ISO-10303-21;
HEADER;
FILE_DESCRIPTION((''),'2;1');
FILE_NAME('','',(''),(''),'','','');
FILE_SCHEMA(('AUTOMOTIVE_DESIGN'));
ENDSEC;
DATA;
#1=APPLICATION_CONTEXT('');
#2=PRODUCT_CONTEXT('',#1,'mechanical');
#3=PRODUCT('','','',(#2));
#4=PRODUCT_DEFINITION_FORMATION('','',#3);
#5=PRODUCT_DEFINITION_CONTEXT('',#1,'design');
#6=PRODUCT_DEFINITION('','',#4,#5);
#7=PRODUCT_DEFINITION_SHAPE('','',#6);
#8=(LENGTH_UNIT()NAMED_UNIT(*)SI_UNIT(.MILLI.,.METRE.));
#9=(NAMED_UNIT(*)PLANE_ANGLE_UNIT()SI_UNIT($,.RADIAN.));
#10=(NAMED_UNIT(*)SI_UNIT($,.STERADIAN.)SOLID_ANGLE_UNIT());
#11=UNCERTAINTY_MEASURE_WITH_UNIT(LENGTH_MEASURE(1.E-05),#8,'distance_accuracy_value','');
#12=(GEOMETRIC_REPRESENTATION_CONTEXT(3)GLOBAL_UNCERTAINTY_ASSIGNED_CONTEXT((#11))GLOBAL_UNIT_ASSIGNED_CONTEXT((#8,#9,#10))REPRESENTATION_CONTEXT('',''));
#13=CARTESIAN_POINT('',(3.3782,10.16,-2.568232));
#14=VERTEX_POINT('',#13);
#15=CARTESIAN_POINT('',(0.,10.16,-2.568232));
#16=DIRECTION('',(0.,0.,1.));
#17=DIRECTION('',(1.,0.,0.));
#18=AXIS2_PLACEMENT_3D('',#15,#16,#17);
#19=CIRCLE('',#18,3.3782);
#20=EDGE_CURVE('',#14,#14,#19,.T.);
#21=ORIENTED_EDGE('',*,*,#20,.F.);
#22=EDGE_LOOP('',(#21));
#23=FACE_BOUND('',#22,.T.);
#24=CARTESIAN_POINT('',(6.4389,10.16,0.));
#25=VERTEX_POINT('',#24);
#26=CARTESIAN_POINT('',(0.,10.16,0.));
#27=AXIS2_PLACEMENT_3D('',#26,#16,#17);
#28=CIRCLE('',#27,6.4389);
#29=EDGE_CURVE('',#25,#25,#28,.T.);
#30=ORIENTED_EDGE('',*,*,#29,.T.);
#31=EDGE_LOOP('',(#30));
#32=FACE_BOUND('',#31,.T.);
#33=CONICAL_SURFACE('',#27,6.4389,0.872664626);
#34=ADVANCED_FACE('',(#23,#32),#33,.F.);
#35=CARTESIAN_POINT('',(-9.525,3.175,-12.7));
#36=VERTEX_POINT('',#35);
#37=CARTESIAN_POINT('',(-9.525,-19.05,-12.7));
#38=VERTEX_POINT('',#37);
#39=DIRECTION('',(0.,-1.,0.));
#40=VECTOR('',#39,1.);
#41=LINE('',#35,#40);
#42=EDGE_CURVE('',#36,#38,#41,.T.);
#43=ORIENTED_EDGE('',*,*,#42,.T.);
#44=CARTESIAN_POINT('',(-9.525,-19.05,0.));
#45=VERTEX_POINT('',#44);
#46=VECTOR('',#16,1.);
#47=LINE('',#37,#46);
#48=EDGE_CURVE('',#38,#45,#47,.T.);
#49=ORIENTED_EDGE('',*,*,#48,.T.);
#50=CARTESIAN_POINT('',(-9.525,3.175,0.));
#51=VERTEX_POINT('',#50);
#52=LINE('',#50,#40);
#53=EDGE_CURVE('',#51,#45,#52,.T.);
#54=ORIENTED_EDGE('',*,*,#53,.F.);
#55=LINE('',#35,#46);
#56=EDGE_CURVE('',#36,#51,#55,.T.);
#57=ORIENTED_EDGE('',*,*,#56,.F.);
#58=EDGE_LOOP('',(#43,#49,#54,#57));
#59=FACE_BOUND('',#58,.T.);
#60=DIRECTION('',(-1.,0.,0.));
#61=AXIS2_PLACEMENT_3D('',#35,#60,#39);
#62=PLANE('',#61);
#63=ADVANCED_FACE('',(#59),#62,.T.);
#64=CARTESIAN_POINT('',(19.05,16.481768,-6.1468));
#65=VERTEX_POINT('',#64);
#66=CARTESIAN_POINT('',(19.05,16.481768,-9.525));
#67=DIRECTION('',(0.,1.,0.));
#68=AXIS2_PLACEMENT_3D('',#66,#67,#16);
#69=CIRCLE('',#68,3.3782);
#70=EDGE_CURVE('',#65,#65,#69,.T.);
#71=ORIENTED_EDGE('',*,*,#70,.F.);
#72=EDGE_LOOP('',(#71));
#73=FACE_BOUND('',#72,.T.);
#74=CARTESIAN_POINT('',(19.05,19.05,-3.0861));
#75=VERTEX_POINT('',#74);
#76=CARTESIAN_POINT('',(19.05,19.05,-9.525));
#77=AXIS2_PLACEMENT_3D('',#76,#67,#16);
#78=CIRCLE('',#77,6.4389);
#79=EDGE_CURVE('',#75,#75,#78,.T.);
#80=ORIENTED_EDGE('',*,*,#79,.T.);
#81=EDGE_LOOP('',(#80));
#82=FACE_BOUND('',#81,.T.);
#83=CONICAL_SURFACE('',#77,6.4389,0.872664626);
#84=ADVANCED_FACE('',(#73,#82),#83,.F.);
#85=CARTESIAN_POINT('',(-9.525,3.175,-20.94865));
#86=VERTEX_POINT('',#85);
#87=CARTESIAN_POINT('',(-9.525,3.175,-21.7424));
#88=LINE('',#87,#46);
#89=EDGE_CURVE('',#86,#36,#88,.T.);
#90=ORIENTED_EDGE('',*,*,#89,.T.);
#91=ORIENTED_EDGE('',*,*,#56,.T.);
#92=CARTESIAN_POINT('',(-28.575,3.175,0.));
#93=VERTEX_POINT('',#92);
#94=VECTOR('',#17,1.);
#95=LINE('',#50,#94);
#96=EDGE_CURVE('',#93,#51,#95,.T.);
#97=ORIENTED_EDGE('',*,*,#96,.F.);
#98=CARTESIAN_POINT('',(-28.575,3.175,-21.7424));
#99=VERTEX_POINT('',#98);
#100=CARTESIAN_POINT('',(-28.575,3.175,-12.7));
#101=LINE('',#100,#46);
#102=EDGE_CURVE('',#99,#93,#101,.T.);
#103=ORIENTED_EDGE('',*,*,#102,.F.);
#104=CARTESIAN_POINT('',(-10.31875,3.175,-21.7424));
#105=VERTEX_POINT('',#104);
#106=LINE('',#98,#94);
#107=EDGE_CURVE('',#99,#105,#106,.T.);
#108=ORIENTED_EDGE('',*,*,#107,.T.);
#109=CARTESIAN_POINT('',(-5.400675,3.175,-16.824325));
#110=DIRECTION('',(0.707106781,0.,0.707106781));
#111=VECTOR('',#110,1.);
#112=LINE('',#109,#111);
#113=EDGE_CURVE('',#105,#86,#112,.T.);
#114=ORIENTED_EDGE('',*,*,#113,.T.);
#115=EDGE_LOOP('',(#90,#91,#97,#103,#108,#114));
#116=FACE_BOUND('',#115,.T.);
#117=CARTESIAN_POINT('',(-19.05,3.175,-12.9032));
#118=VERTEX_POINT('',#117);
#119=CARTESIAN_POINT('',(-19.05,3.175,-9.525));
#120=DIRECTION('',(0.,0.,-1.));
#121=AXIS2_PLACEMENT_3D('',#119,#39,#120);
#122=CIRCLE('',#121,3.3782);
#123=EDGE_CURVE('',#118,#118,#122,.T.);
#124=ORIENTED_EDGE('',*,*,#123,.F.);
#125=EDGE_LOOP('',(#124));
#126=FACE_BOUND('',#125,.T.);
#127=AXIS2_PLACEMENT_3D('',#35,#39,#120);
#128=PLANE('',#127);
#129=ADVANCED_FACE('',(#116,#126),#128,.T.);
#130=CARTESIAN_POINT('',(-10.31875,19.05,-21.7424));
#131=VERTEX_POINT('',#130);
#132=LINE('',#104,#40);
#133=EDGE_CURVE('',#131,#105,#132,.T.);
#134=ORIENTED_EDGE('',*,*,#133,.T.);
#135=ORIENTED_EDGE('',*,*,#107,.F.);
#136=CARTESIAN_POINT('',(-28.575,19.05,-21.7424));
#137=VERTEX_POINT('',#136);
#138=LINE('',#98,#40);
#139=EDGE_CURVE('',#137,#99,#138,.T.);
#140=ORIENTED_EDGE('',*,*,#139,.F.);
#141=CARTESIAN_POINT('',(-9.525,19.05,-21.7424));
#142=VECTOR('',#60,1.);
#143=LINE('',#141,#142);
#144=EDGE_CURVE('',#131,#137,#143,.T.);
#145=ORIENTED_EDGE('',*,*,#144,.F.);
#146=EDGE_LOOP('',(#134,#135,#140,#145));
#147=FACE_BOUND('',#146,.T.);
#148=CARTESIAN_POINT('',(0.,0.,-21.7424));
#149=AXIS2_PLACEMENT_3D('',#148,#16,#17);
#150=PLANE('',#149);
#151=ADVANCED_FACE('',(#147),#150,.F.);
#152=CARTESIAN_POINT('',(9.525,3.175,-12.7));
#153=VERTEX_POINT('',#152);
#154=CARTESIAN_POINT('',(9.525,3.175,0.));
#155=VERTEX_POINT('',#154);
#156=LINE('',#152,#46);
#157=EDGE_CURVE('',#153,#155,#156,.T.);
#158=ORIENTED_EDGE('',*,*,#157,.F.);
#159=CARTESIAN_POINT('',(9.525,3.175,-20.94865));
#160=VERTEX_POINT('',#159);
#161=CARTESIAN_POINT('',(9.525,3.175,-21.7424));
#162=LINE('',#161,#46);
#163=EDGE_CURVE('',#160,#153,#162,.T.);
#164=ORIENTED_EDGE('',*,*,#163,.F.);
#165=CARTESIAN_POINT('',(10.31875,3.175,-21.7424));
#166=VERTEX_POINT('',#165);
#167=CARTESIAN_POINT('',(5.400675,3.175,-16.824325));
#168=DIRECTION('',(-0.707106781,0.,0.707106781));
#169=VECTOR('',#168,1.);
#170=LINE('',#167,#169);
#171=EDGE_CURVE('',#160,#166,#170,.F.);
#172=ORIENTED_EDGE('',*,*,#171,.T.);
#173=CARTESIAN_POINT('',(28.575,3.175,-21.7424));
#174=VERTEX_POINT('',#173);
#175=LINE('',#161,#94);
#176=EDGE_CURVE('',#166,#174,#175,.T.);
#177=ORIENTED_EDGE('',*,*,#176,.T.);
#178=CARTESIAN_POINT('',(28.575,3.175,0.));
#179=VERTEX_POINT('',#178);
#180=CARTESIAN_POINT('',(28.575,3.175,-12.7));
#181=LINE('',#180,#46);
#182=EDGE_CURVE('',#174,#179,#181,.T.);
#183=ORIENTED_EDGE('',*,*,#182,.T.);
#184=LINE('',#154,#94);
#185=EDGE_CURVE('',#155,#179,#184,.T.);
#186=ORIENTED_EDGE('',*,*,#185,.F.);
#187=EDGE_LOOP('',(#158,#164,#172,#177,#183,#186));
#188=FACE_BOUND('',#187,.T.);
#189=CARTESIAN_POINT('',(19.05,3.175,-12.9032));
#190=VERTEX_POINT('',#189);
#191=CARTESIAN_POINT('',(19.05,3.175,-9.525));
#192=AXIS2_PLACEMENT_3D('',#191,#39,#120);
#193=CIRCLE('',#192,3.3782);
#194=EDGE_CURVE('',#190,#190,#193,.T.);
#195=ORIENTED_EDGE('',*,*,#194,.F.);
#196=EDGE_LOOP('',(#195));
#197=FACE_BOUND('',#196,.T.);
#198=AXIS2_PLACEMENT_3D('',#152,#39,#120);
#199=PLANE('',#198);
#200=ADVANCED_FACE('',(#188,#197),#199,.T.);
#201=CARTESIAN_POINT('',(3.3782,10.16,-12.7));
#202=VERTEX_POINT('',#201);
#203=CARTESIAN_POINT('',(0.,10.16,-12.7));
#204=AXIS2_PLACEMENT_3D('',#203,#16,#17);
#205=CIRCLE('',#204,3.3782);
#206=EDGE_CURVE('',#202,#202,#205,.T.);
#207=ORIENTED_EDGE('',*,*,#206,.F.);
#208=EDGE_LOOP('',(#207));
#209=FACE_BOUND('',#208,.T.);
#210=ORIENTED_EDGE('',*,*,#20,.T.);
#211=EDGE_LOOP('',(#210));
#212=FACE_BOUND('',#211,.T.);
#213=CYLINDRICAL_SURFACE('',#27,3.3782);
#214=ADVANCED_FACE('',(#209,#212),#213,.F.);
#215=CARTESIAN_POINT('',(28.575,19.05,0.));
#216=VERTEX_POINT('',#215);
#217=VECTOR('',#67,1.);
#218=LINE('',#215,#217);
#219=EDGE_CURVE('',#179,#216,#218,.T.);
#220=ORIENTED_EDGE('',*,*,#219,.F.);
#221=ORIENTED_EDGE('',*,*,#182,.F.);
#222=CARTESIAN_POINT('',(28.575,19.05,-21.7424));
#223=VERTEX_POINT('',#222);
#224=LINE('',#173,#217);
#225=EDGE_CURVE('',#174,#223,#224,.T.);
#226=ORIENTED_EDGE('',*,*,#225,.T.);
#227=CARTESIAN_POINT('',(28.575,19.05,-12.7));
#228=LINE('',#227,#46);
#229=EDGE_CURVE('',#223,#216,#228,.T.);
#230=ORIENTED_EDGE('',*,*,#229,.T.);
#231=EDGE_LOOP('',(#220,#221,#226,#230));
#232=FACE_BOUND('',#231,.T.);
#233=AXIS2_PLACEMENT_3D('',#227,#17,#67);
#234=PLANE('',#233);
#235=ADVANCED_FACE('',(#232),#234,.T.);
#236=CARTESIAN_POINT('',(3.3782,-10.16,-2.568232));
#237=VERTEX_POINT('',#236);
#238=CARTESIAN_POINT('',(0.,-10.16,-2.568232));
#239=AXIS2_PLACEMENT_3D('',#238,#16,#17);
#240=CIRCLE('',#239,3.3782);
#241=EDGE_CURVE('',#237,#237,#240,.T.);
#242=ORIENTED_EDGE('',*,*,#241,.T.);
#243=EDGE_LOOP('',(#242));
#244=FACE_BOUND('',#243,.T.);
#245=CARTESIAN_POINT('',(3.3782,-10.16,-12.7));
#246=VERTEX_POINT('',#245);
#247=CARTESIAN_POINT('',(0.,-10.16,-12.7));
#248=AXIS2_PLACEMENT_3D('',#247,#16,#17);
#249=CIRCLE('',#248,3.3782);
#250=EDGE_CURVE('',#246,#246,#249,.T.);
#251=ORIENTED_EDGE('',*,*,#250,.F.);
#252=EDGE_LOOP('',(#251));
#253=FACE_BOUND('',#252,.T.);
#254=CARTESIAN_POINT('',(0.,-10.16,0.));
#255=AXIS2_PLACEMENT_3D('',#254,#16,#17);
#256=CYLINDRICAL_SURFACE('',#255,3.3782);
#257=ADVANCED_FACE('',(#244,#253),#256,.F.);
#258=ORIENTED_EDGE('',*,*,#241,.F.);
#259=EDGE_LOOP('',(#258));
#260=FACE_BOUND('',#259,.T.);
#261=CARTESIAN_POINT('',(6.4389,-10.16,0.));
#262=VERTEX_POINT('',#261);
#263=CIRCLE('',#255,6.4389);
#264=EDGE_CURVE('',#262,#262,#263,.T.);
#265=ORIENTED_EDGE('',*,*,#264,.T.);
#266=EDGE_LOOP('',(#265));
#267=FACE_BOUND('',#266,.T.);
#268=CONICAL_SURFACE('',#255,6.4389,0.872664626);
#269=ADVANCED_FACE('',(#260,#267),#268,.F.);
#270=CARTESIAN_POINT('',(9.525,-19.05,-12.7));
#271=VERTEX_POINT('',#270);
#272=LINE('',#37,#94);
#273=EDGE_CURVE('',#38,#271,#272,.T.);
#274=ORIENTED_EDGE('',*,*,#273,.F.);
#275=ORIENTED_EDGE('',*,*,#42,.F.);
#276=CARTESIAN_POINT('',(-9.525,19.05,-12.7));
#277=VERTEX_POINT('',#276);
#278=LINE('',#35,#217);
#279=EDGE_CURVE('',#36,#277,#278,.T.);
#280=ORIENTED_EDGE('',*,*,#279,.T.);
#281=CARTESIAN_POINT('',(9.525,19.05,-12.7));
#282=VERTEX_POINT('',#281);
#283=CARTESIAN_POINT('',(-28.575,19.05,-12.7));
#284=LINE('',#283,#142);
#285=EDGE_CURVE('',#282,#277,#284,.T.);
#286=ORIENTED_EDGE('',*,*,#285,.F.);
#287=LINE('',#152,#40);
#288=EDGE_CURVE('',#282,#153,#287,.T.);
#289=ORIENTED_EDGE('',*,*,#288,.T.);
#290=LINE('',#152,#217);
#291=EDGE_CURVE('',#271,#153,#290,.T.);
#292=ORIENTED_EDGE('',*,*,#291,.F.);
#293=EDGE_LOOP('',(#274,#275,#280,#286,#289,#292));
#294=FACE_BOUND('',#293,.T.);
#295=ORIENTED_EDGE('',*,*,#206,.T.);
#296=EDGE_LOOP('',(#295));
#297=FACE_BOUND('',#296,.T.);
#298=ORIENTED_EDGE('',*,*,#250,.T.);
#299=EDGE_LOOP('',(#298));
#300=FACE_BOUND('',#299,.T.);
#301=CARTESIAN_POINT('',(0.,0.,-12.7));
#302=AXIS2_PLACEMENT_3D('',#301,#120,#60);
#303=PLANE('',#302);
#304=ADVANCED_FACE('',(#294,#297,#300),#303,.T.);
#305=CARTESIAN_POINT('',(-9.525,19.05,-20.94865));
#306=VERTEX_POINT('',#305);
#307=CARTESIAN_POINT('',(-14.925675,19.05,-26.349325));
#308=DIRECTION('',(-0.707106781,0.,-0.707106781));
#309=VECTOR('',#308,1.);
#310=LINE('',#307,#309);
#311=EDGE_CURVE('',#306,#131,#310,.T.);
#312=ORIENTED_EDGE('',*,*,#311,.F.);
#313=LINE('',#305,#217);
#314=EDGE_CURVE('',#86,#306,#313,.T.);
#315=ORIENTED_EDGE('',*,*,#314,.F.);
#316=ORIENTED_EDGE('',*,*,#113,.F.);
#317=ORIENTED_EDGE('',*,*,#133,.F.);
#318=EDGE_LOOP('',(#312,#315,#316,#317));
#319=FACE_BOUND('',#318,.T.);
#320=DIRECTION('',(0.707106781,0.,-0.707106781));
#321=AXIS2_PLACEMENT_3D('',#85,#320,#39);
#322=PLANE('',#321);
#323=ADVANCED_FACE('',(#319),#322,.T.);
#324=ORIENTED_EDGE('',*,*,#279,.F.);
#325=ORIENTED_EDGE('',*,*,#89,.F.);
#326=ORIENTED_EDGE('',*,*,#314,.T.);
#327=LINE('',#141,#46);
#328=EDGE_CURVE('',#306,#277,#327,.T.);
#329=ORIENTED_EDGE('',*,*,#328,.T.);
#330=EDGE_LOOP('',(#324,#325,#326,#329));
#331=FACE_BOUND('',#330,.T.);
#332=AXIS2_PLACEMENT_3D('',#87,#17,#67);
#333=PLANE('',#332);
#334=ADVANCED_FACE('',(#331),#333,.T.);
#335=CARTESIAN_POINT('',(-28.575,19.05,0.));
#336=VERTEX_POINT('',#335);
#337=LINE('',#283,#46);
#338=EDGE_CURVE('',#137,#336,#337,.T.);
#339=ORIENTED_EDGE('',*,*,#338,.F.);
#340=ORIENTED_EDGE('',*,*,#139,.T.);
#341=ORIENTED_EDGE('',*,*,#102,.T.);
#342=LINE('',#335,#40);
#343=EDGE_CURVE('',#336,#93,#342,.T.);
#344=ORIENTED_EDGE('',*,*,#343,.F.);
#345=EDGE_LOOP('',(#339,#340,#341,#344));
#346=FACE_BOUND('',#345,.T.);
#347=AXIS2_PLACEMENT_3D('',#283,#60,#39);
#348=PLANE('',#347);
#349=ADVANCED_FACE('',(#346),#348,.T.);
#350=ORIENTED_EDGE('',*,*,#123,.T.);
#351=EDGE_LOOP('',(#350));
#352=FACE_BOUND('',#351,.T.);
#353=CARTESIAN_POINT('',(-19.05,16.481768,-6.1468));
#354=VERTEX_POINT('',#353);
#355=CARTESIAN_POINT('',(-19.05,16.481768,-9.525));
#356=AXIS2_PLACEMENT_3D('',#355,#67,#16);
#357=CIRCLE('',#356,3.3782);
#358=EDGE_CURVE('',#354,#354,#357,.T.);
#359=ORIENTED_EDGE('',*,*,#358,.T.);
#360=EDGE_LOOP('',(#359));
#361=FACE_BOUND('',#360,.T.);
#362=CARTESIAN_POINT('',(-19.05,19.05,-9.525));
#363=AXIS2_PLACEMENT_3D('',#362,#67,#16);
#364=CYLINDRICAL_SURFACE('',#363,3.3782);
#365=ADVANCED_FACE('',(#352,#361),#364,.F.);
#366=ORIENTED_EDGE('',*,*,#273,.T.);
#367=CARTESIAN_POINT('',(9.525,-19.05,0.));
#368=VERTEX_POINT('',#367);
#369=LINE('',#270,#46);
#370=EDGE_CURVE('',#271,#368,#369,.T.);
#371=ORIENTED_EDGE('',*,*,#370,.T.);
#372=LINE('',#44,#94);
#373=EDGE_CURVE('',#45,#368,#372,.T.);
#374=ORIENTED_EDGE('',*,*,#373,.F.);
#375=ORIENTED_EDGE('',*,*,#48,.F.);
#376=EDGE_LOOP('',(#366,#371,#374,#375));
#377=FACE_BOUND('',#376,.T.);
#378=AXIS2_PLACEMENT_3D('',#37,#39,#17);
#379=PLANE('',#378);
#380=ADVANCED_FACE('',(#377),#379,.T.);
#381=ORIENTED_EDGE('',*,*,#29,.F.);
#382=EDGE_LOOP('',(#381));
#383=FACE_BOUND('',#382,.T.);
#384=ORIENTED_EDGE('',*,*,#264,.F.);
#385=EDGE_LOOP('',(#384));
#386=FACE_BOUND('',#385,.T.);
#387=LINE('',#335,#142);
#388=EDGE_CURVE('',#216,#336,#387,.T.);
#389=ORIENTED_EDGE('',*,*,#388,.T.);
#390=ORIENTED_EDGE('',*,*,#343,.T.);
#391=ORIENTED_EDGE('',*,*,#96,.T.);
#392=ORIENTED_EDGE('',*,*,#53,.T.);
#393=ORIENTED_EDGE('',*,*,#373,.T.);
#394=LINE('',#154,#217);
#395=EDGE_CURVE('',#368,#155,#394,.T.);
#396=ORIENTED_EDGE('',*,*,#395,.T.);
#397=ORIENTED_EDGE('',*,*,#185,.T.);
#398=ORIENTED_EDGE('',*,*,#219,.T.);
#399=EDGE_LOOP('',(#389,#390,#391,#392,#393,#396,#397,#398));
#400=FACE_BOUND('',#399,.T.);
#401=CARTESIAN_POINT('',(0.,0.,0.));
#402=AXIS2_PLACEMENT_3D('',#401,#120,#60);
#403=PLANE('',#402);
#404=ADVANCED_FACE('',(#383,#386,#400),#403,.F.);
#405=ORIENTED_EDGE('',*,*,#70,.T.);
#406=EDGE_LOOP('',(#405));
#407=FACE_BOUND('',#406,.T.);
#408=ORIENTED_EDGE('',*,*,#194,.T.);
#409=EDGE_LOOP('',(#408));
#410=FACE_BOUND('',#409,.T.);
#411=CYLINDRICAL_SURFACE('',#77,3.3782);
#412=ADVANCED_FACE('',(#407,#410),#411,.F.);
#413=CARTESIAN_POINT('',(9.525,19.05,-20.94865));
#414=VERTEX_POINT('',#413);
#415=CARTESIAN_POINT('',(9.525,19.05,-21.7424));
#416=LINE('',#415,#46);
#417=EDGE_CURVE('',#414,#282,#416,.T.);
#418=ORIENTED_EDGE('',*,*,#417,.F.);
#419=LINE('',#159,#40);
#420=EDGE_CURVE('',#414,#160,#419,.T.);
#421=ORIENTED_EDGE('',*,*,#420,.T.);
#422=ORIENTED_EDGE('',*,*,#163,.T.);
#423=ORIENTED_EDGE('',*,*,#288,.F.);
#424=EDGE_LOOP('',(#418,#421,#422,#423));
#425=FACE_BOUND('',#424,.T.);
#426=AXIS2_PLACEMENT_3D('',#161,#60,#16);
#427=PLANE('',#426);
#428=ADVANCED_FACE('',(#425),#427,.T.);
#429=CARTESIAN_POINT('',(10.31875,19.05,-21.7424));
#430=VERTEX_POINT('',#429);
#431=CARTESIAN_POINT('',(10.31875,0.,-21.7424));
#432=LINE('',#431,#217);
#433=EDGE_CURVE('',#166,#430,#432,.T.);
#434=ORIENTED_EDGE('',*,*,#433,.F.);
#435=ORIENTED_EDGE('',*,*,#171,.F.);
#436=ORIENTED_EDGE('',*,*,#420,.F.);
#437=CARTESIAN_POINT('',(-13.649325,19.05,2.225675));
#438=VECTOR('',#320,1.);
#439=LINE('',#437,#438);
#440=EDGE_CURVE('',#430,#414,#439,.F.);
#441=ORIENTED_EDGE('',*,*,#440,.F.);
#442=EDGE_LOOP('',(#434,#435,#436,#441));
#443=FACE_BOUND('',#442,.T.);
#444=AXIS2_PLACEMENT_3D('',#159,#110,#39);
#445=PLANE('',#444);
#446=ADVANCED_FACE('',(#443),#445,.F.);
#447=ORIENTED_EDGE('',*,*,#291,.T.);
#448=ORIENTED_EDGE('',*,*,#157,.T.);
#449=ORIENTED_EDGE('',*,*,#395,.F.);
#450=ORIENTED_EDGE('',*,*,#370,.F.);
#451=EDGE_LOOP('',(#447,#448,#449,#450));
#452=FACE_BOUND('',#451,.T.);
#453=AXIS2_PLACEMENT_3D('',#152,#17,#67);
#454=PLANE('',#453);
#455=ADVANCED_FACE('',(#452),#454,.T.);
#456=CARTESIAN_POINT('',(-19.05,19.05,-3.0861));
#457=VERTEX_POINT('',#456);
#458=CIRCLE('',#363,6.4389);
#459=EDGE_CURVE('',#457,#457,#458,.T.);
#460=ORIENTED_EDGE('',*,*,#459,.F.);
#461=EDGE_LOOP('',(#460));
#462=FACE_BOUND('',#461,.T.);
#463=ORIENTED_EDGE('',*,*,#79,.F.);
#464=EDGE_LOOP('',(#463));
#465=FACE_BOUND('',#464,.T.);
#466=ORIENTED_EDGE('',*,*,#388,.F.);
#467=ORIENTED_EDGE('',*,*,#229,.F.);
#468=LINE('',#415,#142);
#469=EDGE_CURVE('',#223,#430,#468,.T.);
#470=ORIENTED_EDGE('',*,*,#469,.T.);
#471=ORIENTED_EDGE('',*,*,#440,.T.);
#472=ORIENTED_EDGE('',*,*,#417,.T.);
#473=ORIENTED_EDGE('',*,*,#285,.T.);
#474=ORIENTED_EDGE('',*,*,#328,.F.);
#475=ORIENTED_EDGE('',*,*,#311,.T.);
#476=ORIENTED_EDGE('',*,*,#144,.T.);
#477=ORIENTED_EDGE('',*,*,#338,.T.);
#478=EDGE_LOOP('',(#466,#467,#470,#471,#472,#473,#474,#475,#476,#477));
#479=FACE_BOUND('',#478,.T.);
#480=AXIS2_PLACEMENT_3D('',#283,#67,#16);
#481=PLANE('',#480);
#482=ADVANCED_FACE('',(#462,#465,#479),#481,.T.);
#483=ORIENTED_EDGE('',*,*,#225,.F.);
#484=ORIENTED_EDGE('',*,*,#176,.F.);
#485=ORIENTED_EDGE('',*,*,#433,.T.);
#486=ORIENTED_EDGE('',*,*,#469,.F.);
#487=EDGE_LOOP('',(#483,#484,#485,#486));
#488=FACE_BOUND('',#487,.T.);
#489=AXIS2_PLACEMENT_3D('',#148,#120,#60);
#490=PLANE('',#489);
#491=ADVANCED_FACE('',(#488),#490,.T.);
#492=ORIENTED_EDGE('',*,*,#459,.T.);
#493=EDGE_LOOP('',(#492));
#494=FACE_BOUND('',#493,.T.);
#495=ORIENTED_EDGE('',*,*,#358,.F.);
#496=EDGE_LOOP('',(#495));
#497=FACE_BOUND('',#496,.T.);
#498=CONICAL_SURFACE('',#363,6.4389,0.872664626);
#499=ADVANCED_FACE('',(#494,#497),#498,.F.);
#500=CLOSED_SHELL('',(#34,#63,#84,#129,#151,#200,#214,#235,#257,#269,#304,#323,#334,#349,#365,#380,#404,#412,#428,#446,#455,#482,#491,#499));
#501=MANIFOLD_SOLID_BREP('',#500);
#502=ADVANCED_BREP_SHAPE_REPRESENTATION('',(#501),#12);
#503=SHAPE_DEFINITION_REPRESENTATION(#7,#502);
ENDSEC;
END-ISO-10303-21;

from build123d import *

# Parameters (mm, degrees)
BOSS_EXTRUDE1_DEPTH                                 = 12.7
CSK_FOR_1_4_FLAT_HEAD_MACHINE_SCREW_100_D           = 6.7564
CSK_FOR_1_4_FLAT_HEAD_MACHINE_SCREW_100_CSINK_D     = 12.8778
CSK_FOR_1_4_FLAT_HEAD_MACHINE_SCREW_100_CSINK_ANGLE = 100
SKETCH6_W                                           = 19.05
SKETCH6_H                                           = 15.875
BOSS_EXTRUDE2_DEPTH                                 = 9.0424
CSK_FOR_1_4_FLAT_HEAD_MACHINE_SCREW_2_D             = 6.7564
CSK_FOR_1_4_FLAT_HEAD_MACHINE_SCREW_2_CSINK_D       = 12.8778
CSK_FOR_1_4_FLAT_HEAD_MACHINE_SCREW_2_CSINK_ANGLE   = 100
CHAMFER1_SIZE                                       = 0.79375


with BuildPart() as part:
    # Sketch1 → Boss-Extrude1 (new body)
    with BuildSketch(Plane.XY):
        Polygon((-28.575, 19.05), (28.575, 19.05), (28.575, 3.175), (19.05, 3.175), (9.525, 3.175), (9.525, -19.05), (-9.525, -19.05), (-9.525, 3.175), (-19.05, 3.175), (-28.575, 3.175), align=None)
    extrude(amount=-BOSS_EXTRUDE1_DEPTH)

    # CSK for 1_4 Flat Head Machine Screw _100 (through all)
    with Locations(Plane.XY):
        with Locations((0, 10.16), (0, -10.16)):
            CounterSinkHole(CSK_FOR_1_4_FLAT_HEAD_MACHINE_SCREW_100_D / 2, CSK_FOR_1_4_FLAT_HEAD_MACHINE_SCREW_100_CSINK_D / 2, counter_sink_angle=CSK_FOR_1_4_FLAT_HEAD_MACHINE_SCREW_100_CSINK_ANGLE)

    # Sketch6 → Boss-Extrude2 (add)
    with BuildSketch(Plane.XY.offset(-12.7)):
        with Locations((-19.05, 11.1125)):
            Rectangle(SKETCH6_W, SKETCH6_H)
        with Locations((19.05, 11.1125)):
            Rectangle(SKETCH6_W, SKETCH6_H)
    extrude(amount=-BOSS_EXTRUDE2_DEPTH)

    # CSK for 1_4 Flat Head Machine Screw  2 (through all)
    with Locations(Plane(origin=(0, 19.05, 0), x_dir=(1, 0, 0), z_dir=(0, 1, 0))):
        with Locations((-19.05, 9.525), (19.05, 9.525)):
            CounterSinkHole(CSK_FOR_1_4_FLAT_HEAD_MACHINE_SCREW_2_D / 2, CSK_FOR_1_4_FLAT_HEAD_MACHINE_SCREW_2_CSINK_D / 2, counter_sink_angle=CSK_FOR_1_4_FLAT_HEAD_MACHINE_SCREW_2_CSINK_ANGLE)

    # Chamfer1
    chamfer1_edges = [part.edges().sort_by_distance(p)[0] for p in [
        (-9.525, 11.1125, -21.7424),
        (9.525, 11.1125, -21.7424),
    ]]
    chamfer(chamfer1_edges, length=CHAMFER1_SIZE)


solid = part.part
